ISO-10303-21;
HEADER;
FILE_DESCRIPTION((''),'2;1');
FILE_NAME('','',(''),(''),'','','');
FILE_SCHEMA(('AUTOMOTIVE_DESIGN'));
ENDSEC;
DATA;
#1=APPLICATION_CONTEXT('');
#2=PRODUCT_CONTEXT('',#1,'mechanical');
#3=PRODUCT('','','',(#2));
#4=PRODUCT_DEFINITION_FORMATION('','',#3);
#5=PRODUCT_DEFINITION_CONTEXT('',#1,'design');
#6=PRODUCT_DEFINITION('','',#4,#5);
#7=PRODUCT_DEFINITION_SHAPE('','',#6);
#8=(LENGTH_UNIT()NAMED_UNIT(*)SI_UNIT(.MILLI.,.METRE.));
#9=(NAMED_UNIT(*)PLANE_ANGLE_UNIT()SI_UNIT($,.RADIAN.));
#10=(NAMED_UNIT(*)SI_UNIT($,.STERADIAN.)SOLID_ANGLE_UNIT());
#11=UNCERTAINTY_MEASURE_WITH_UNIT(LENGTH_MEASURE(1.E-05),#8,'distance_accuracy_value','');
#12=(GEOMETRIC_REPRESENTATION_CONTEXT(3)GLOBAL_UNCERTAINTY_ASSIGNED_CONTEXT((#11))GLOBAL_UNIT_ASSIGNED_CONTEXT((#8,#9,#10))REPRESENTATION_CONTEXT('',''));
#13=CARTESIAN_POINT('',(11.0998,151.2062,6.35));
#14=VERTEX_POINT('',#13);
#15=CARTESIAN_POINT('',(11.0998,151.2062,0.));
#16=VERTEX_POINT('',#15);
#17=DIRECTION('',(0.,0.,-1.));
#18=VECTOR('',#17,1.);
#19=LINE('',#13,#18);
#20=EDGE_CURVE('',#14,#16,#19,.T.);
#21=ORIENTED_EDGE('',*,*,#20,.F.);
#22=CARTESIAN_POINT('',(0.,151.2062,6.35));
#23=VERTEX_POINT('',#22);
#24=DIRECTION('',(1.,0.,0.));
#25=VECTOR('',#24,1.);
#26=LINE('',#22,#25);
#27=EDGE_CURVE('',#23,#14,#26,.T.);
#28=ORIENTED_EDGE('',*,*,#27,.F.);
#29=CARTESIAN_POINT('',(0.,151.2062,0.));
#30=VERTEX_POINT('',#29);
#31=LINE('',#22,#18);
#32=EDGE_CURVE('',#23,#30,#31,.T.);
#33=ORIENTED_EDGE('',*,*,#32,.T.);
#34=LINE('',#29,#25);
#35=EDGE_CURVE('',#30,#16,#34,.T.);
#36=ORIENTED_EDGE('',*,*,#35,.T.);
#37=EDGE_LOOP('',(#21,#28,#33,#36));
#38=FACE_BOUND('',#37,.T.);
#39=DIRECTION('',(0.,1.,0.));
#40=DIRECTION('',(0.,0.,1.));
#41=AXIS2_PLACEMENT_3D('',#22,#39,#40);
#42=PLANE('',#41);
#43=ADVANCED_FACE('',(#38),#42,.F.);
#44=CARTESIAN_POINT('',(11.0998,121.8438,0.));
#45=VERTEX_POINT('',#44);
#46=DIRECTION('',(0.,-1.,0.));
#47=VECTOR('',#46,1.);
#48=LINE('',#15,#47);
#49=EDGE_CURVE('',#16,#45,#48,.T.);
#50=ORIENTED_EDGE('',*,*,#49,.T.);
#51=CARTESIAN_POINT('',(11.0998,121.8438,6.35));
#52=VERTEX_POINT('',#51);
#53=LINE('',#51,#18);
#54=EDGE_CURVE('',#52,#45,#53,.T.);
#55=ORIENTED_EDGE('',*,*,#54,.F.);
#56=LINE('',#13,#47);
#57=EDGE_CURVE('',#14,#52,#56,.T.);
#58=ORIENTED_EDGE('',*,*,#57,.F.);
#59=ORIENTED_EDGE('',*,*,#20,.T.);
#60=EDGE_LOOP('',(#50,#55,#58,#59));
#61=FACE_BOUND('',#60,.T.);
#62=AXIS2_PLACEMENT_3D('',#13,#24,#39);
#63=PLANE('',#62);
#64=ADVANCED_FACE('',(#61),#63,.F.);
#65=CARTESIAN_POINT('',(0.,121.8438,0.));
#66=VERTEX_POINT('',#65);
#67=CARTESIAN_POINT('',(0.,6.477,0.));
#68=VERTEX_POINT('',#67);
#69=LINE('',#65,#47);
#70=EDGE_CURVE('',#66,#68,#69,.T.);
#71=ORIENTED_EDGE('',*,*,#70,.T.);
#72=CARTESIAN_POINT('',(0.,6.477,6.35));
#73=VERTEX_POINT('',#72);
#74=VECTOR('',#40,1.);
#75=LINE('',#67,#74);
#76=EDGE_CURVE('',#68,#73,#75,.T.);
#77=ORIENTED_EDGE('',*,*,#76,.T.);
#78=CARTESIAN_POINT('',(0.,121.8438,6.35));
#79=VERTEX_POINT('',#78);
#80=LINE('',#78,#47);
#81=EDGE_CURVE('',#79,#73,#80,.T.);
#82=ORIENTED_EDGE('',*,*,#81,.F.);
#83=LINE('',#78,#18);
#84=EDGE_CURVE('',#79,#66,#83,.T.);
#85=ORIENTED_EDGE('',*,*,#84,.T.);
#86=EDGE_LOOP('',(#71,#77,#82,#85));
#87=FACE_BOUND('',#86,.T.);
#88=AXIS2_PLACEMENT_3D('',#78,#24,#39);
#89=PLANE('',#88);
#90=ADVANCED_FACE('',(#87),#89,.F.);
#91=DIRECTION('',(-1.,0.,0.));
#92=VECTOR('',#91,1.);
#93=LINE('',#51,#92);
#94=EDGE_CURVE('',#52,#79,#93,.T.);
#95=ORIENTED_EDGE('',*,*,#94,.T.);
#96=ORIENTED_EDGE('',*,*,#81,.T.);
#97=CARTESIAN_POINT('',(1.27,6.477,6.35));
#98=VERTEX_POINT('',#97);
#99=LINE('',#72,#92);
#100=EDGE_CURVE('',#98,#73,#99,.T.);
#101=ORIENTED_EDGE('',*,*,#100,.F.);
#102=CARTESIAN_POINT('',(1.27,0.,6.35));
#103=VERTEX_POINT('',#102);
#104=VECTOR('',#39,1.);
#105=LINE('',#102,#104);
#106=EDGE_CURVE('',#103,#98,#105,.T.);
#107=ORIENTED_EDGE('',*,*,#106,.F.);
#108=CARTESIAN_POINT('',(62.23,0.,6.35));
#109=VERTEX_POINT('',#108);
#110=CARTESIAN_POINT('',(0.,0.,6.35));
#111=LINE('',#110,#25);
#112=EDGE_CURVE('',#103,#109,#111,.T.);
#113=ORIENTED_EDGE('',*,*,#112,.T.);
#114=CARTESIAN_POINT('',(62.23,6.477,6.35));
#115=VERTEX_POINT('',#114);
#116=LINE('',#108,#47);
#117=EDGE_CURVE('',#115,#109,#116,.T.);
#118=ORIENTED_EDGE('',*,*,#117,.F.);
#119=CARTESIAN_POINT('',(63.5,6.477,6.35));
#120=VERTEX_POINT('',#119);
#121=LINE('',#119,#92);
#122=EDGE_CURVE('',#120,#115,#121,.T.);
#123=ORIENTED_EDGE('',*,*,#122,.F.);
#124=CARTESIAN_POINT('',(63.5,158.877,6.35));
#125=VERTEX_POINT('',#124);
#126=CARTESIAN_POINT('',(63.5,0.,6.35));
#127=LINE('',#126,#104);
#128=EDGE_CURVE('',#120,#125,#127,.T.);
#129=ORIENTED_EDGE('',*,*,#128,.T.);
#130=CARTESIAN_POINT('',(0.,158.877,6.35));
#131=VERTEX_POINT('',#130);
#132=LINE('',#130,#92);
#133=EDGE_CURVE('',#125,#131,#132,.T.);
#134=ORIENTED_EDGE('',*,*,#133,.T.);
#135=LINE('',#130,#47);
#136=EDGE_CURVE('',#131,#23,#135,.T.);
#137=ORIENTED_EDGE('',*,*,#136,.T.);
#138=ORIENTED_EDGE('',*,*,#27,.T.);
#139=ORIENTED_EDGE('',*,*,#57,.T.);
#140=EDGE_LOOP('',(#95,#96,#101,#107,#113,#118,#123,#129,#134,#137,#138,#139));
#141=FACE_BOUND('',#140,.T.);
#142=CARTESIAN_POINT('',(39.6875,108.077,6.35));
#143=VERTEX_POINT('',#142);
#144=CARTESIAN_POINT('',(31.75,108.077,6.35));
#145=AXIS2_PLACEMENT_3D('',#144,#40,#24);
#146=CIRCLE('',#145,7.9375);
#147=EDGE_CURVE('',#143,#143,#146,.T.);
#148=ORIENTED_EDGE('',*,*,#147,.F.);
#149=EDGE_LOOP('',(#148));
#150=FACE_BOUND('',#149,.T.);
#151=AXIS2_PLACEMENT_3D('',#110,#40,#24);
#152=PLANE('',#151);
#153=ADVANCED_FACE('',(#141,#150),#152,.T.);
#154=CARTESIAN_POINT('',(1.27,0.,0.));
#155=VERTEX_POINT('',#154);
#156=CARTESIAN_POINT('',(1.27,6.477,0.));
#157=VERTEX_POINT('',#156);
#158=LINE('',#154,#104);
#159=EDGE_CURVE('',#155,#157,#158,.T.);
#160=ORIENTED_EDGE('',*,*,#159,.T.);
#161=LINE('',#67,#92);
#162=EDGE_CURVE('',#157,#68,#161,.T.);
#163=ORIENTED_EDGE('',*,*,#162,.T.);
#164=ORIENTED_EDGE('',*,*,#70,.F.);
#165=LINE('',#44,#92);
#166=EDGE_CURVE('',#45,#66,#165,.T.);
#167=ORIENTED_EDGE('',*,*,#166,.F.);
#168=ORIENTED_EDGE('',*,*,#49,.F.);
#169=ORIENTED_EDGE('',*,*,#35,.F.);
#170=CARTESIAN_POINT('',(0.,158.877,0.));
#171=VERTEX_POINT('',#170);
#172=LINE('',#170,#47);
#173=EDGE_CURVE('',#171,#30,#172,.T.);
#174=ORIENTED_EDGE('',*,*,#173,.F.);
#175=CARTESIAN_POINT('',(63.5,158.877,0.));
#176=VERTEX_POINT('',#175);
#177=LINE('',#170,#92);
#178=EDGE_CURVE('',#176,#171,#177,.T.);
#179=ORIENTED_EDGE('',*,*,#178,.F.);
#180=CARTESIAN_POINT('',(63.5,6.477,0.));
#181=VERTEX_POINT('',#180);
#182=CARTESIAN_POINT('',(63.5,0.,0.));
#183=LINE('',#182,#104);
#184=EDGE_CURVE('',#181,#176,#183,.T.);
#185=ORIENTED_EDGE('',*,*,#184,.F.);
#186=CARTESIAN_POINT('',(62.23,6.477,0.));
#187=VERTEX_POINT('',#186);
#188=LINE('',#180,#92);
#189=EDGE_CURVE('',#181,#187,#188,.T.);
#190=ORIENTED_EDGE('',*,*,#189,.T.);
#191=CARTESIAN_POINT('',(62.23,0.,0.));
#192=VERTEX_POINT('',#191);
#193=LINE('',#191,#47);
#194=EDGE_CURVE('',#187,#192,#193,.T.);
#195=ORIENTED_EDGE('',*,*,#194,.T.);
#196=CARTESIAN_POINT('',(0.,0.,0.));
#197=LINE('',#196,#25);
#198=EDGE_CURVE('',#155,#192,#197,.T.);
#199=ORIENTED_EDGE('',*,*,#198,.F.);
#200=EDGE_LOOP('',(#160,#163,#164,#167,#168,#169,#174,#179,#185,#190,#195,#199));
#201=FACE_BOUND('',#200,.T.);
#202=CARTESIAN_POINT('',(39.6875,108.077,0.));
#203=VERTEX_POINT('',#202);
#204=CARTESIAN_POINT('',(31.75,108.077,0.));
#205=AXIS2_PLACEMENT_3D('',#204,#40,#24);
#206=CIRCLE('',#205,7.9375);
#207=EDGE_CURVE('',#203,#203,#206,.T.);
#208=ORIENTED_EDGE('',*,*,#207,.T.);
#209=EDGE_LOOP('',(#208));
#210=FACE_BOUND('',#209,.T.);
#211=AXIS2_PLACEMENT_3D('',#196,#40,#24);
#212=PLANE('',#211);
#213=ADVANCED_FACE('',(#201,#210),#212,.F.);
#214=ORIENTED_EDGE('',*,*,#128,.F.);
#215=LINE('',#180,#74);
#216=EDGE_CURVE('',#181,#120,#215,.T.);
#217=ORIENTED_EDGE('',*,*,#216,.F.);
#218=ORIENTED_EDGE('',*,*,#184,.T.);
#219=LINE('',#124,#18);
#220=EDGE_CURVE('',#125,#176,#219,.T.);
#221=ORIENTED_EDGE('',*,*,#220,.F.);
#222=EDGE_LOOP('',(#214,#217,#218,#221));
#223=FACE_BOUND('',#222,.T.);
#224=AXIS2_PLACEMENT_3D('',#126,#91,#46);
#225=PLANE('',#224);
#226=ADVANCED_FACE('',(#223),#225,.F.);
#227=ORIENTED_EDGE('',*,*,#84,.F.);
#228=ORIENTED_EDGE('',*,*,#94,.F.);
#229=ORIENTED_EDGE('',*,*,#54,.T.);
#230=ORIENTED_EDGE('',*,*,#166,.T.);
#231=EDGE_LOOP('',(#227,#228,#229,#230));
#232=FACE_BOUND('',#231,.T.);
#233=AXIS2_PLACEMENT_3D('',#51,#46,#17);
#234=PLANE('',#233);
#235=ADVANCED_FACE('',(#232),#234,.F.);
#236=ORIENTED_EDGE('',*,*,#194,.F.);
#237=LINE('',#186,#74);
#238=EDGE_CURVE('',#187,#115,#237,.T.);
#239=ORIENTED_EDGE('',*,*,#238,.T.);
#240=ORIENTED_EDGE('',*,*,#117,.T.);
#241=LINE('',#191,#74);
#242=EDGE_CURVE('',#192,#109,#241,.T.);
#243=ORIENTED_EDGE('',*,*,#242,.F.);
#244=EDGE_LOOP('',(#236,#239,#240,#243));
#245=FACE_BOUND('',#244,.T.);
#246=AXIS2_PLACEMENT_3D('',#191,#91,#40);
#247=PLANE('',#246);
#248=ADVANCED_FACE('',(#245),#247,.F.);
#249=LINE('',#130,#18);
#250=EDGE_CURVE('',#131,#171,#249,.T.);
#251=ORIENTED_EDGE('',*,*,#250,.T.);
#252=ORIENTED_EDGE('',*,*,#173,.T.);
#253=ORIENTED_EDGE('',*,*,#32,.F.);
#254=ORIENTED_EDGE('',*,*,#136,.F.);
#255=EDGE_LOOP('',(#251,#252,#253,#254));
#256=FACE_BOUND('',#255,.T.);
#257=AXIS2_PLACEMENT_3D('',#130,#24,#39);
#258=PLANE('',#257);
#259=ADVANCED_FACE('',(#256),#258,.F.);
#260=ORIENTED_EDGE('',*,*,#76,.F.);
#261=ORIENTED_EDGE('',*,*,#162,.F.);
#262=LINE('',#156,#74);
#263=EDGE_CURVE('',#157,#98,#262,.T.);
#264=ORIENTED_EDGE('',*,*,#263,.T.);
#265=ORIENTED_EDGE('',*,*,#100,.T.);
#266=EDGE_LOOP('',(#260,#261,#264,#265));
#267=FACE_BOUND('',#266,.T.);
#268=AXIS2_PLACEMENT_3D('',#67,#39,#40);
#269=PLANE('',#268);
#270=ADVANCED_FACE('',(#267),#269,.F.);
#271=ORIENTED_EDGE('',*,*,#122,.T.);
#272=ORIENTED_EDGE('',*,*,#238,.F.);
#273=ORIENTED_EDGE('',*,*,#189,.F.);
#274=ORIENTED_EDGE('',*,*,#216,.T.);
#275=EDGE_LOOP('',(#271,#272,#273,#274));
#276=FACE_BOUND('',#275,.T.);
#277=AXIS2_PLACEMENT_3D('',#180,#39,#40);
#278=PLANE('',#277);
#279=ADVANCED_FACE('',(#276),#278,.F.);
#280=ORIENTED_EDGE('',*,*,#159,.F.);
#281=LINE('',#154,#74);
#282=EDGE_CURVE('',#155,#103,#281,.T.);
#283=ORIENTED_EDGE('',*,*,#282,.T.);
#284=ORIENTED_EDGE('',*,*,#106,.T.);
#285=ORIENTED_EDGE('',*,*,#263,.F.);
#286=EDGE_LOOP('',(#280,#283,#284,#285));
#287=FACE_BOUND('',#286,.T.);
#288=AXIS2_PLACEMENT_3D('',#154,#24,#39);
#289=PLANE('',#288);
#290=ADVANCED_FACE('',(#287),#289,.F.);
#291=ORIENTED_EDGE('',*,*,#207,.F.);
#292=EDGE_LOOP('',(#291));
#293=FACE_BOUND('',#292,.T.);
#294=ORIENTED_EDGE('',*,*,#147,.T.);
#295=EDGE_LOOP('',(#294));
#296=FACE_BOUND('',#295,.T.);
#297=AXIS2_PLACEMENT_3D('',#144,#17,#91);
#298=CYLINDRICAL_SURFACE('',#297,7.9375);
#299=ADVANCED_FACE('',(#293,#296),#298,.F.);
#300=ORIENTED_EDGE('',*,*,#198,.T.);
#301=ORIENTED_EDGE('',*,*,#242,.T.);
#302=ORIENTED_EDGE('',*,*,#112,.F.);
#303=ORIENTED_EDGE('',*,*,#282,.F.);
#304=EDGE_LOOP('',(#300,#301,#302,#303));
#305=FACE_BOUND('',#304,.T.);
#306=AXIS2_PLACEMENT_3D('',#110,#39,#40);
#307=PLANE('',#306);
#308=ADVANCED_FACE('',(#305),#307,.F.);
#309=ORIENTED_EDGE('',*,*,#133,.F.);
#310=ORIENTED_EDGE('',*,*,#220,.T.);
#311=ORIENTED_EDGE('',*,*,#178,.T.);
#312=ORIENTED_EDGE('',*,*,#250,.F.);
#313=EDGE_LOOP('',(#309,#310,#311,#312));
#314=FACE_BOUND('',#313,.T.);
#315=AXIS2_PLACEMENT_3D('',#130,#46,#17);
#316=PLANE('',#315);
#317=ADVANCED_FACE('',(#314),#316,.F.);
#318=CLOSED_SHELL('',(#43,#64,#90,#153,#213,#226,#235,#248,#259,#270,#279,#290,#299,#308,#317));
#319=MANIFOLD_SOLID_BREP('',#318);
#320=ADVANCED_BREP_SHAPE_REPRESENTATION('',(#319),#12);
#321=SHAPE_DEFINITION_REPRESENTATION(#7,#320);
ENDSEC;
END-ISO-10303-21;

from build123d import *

# Parameters (mm, degrees)
SKETCH2_R           = 7.9375
BOSS_EXTRUDE1_DEPTH = 6.35
SKETCH3_W           = 1.27
SKETCH3_H           = 6.477
CUT_EXTRUDE1_DEPTH  = 7.35


with BuildPart() as part:
    # Sketch2 → Boss-Extrude1 (new body)
    with BuildSketch(Plane.XY):
        Polygon((0, 0), (63.5, 0), (63.5, 158.877), (0, 158.877), (0, 151.2062), (11.0998, 151.2062), (11.0998, 121.8438), (0, 121.8438), align=None)
        with Locations((31.75, 108.077)):
            Circle(SKETCH2_R, mode=Mode.SUBTRACT)
    extrude(amount=BOSS_EXTRUDE1_DEPTH)

    # Sketch3 → Cut-Extrude1 (cut, through all)
    with BuildSketch(Plane.XY.offset(6.35)):
        with Locations((0.635, 3.2385)):
            Rectangle(SKETCH3_W, SKETCH3_H)
        with Locations((62.865, 3.2385)):
            Rectangle(SKETCH3_W, SKETCH3_H)
    extrude(amount=-CUT_EXTRUDE1_DEPTH, mode=Mode.SUBTRACT)


solid = part.part
